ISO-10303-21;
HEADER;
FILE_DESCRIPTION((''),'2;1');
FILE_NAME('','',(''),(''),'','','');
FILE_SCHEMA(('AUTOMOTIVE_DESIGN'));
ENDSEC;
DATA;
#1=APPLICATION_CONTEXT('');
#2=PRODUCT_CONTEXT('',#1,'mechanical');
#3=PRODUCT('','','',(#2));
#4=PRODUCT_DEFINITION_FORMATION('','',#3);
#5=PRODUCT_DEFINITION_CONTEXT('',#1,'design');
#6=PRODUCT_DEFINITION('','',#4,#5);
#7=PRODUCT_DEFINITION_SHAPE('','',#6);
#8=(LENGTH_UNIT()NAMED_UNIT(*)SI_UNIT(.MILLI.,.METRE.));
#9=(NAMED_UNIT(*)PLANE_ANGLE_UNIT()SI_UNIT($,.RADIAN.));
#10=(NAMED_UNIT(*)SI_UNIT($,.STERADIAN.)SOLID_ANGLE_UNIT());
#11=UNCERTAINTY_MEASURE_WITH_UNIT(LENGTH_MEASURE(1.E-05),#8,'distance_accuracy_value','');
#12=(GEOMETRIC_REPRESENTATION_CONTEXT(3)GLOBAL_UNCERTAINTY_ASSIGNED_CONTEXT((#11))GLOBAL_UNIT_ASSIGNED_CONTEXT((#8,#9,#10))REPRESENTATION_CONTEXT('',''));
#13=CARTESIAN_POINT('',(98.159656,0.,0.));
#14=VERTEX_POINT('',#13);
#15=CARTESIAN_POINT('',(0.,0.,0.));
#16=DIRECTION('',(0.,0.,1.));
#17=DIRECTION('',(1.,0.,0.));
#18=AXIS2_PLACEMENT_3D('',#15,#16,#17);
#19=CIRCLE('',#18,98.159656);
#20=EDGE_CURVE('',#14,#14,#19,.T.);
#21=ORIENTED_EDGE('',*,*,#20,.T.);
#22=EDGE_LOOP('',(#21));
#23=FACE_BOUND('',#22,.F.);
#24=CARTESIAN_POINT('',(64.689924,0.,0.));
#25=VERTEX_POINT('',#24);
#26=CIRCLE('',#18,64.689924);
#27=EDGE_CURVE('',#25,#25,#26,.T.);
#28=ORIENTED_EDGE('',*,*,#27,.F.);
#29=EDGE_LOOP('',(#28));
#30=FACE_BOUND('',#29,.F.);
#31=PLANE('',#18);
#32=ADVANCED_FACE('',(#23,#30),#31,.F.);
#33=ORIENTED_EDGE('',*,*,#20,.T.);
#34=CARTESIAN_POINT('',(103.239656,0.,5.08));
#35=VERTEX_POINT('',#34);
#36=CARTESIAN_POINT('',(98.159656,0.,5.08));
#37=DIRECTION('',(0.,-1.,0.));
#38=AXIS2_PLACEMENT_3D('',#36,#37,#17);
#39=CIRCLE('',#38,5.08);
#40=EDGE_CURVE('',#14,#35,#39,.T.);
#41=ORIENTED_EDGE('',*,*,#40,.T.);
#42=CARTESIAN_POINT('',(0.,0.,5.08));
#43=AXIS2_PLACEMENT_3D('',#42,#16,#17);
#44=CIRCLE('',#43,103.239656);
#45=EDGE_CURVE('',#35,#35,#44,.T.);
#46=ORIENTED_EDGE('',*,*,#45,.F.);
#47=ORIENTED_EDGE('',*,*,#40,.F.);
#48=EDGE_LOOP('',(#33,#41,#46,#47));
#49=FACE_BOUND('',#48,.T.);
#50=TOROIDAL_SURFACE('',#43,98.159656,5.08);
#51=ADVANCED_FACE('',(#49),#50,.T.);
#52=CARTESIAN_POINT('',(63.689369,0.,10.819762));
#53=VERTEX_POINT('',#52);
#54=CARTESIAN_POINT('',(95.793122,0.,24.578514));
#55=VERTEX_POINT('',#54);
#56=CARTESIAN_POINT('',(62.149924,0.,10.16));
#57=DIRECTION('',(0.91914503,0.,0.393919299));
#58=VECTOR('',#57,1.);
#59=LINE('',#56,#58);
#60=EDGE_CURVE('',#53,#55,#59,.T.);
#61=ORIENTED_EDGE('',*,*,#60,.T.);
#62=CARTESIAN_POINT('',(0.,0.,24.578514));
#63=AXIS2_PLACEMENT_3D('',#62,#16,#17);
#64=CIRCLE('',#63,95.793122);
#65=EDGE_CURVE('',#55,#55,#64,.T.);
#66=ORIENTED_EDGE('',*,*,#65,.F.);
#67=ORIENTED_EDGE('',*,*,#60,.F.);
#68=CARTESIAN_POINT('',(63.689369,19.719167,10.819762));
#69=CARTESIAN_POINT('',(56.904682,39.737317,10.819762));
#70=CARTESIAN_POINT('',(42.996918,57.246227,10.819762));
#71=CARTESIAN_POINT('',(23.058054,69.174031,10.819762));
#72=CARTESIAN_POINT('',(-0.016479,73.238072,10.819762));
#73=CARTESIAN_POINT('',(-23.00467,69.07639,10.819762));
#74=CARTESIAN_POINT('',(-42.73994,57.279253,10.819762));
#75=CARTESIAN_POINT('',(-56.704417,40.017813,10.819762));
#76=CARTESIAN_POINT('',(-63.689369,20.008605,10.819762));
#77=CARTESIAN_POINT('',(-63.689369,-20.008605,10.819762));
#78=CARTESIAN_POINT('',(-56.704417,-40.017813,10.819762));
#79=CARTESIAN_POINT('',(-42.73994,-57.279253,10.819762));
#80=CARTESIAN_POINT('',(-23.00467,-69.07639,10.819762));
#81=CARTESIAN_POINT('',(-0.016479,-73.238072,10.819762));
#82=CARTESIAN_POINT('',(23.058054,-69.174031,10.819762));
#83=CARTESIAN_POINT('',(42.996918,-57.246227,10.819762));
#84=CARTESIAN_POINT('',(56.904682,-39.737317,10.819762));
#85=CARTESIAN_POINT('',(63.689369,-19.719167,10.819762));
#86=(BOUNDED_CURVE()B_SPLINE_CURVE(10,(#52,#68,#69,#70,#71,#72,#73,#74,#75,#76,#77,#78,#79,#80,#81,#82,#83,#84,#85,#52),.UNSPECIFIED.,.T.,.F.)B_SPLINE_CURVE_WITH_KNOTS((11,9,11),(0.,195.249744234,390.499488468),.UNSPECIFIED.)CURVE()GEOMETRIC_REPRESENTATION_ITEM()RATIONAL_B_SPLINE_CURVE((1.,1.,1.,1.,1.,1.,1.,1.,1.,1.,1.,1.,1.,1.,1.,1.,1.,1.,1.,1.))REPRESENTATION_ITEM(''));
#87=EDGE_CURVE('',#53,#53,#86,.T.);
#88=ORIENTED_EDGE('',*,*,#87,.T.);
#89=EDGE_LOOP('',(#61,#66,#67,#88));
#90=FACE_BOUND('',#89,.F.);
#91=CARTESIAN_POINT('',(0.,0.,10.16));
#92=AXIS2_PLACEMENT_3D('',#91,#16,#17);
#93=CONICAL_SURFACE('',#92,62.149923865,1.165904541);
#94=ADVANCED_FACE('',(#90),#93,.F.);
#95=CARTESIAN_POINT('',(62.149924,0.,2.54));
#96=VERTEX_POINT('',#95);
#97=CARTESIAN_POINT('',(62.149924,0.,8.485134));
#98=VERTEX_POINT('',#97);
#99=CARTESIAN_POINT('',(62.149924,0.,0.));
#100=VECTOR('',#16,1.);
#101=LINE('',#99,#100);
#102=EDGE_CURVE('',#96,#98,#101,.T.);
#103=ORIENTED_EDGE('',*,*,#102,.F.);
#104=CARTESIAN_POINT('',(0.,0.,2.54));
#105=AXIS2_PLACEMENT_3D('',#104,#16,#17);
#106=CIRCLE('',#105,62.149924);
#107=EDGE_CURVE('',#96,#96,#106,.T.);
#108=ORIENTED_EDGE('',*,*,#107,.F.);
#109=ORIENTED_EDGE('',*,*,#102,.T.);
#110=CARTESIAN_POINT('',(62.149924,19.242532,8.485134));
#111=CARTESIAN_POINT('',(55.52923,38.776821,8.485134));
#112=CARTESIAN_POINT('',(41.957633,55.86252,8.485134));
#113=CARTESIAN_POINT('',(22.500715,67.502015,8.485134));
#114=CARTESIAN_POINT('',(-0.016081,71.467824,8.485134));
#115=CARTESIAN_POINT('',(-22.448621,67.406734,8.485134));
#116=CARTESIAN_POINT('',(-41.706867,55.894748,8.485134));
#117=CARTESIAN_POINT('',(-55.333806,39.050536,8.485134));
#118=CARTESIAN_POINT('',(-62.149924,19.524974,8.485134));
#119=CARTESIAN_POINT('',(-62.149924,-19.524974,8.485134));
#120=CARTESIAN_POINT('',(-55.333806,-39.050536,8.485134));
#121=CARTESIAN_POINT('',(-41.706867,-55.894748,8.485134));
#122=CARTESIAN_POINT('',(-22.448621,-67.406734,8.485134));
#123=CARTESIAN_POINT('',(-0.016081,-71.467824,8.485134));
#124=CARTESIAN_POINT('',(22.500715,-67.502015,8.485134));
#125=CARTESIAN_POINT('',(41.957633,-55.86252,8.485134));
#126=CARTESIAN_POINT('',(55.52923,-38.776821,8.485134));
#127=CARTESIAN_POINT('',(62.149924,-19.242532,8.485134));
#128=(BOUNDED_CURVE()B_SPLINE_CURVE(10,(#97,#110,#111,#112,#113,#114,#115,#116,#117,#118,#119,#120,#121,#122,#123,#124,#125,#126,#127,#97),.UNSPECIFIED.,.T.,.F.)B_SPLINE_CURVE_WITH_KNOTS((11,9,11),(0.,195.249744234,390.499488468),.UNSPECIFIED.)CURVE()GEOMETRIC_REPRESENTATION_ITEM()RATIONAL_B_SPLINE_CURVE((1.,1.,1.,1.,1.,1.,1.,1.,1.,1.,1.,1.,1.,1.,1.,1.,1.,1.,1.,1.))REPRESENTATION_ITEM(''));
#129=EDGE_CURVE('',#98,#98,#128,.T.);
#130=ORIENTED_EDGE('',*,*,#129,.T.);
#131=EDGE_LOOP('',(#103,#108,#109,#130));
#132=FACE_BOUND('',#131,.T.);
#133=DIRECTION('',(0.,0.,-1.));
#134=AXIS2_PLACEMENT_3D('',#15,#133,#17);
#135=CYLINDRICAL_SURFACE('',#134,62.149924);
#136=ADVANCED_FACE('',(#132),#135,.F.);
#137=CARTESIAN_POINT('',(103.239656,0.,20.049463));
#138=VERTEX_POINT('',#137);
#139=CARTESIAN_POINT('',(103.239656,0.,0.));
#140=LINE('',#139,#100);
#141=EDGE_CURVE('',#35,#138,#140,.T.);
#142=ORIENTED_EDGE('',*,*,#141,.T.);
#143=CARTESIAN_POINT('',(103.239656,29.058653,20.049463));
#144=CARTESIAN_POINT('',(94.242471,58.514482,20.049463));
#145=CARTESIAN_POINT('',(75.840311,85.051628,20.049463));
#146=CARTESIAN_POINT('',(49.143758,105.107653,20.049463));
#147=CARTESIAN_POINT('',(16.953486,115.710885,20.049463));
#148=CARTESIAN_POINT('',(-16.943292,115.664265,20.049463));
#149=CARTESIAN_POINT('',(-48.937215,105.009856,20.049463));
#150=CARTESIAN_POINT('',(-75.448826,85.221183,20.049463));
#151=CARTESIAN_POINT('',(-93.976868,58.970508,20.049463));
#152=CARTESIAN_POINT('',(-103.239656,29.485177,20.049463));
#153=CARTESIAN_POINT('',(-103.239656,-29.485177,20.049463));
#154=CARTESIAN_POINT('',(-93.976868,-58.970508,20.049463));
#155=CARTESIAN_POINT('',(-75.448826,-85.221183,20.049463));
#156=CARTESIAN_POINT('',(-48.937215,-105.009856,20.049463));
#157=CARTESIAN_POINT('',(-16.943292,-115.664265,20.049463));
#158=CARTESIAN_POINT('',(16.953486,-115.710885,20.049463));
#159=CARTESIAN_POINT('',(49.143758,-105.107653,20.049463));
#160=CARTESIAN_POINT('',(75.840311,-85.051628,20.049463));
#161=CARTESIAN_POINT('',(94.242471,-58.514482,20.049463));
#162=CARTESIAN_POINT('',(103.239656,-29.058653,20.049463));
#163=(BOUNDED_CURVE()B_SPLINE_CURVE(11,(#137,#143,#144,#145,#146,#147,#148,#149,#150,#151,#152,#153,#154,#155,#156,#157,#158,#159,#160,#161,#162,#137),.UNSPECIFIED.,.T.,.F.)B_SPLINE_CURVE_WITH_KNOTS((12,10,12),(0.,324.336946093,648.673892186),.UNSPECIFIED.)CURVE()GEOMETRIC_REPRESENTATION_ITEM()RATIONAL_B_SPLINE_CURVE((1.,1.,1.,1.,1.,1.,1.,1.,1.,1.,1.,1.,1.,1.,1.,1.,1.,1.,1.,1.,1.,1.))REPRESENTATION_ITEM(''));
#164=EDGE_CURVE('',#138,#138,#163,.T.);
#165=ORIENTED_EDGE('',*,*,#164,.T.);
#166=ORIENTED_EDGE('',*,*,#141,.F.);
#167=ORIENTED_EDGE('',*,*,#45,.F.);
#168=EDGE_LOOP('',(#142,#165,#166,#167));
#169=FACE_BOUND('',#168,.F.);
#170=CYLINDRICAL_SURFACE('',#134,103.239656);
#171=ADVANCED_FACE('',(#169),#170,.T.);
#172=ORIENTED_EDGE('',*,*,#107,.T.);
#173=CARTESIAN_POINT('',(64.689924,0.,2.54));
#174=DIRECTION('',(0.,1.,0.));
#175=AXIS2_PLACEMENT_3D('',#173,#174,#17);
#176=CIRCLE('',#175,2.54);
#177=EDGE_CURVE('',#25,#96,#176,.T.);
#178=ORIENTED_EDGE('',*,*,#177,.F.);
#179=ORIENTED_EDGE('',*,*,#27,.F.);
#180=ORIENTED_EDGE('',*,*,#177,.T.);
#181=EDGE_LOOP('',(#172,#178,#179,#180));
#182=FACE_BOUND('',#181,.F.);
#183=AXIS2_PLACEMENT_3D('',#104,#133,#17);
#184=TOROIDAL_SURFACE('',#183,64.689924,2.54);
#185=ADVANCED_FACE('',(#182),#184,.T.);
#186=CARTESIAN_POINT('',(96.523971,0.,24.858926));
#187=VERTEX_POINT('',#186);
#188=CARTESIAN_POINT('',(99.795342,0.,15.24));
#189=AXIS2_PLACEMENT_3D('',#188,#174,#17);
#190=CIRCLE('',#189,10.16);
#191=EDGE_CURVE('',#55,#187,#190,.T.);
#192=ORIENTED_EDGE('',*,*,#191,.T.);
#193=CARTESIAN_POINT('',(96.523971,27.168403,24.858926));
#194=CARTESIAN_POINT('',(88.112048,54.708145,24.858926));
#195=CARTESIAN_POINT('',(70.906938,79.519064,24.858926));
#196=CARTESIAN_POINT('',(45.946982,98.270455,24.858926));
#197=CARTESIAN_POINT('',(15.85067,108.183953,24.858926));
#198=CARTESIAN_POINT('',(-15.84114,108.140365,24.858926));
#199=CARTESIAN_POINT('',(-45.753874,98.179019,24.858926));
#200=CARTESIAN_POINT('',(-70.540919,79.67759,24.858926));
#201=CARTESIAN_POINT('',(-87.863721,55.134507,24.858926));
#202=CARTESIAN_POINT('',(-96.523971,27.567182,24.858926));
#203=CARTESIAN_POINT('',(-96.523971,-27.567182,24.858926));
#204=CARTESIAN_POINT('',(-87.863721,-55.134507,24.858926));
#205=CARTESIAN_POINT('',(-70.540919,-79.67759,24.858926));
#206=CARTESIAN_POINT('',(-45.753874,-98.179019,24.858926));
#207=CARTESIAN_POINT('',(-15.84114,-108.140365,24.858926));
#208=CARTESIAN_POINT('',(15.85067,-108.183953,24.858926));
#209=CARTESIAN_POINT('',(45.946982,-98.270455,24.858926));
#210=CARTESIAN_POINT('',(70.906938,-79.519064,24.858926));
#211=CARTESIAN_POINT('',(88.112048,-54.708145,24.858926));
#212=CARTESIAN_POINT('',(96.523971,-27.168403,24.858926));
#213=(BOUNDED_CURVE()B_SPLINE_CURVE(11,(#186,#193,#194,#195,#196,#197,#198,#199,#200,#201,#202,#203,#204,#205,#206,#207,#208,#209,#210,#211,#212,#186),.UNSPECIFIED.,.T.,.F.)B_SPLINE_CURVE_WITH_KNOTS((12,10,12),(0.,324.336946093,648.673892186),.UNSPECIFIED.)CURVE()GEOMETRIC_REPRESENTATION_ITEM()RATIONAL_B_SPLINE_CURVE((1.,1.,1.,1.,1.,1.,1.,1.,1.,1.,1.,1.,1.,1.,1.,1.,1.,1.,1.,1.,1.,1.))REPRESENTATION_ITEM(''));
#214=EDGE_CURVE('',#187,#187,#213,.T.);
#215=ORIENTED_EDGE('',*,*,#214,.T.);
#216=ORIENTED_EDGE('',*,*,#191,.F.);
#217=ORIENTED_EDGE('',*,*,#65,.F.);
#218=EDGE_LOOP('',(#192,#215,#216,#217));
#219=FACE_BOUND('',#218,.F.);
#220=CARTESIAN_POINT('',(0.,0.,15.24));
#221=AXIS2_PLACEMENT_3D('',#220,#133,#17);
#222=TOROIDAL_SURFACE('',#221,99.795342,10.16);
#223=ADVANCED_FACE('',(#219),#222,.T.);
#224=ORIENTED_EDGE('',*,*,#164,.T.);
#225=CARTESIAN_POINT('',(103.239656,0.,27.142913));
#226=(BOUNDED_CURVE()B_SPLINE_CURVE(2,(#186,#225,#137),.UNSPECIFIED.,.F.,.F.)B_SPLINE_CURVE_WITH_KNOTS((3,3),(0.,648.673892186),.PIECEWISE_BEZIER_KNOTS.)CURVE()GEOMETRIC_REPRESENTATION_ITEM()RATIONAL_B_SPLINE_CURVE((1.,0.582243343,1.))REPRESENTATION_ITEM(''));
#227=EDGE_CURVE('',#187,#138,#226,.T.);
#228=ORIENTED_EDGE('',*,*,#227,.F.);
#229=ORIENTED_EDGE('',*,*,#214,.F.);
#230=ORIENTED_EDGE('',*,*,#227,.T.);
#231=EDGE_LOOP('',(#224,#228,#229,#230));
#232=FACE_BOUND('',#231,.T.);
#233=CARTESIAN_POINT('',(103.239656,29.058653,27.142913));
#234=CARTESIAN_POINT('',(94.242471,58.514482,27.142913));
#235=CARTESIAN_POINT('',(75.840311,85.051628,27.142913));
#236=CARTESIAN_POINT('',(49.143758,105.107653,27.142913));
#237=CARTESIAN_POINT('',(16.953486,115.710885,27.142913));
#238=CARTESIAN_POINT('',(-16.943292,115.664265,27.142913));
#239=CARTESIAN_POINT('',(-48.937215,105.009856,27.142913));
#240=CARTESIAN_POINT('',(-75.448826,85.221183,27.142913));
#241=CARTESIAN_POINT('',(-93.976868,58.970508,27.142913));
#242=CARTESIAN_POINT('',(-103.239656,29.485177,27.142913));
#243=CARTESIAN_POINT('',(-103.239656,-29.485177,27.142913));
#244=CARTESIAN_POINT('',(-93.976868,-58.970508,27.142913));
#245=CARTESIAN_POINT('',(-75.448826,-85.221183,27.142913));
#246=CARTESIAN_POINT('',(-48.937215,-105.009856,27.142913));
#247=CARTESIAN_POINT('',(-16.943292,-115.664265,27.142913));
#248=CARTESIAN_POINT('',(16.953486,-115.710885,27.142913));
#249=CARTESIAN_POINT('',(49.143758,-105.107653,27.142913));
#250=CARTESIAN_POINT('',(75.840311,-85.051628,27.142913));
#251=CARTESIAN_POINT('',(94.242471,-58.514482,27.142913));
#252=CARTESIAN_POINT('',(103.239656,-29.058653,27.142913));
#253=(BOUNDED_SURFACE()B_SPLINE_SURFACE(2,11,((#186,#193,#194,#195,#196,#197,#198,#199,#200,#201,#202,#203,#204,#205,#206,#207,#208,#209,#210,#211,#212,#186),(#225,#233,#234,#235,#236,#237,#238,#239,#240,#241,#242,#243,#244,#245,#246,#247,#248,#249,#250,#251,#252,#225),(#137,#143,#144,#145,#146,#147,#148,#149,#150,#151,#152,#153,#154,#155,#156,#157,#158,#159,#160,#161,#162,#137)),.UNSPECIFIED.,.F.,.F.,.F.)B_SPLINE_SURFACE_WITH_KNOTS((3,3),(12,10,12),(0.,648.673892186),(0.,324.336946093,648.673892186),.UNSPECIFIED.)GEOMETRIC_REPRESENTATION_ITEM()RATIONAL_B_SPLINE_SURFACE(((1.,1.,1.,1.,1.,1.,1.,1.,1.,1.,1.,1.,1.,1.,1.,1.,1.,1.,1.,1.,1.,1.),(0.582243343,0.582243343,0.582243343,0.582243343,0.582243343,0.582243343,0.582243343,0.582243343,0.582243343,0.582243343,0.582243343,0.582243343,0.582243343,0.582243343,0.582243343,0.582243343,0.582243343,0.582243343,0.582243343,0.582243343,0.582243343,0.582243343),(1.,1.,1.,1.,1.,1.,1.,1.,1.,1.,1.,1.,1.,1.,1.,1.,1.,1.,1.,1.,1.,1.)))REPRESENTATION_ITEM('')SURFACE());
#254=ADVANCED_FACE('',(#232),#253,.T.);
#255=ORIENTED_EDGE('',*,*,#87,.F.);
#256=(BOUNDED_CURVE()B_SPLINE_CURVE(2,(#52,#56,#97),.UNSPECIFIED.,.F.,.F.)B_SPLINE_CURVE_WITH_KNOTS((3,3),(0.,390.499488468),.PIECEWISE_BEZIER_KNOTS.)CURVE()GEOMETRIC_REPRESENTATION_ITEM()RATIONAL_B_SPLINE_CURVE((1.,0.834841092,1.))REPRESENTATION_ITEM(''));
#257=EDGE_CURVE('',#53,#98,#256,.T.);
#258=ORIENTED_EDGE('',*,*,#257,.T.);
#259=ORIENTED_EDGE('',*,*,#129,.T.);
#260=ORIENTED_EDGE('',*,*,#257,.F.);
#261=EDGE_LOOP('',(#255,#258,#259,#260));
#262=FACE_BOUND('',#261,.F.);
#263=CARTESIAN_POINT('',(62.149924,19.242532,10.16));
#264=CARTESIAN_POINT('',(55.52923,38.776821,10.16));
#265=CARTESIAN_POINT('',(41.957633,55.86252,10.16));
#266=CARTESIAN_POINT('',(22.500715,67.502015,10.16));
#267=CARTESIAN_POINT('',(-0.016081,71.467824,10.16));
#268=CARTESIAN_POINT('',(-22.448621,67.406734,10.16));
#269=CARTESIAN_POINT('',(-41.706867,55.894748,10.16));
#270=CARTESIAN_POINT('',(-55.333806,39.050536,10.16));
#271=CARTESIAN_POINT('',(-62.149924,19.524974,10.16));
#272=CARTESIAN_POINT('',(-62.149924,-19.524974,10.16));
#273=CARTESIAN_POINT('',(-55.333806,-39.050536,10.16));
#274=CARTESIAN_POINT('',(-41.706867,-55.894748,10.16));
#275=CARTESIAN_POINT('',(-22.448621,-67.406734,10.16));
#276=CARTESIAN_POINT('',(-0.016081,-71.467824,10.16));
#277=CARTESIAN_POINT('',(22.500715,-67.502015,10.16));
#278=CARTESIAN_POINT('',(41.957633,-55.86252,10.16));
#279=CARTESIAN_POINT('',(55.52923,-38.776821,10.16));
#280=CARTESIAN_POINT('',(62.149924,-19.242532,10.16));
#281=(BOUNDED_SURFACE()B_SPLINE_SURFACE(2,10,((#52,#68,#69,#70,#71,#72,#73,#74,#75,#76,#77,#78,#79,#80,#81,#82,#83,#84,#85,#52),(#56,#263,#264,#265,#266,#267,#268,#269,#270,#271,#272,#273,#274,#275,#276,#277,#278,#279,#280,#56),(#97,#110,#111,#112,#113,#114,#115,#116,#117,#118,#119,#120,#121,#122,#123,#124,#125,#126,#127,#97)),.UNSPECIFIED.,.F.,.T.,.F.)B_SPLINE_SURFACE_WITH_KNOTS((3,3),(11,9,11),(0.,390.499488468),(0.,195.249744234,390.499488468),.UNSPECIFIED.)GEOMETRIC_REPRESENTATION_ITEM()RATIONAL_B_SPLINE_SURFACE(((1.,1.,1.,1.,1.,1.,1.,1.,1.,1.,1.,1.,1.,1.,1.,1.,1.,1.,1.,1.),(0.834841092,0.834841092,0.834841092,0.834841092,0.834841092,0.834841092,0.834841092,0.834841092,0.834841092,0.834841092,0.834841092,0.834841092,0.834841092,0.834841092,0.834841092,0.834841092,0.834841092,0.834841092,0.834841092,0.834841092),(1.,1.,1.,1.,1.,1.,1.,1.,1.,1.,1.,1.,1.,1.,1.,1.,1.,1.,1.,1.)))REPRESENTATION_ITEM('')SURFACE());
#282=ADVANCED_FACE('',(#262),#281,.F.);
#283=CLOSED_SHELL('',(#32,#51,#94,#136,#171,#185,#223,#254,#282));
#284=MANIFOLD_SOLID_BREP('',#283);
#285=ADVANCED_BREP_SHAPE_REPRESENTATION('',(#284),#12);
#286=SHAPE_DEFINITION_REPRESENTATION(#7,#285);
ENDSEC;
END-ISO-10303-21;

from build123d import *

# Parameters (mm, degrees)
F0_R     = 103.2396563961
F0_R_2   = 62.1499238645
F1_DEPTH = 25.4
F2_SIZE2 = 35.56
F2_SIZE  = 15.24
F3_R     = 10.16
F4_R     = 5.08
F5_R     = 2.54
F6_R     = 5.08
F7_R     = 2.54


with BuildPart() as f1:
    # F0 (on Top) → F1 (new body)
    with BuildSketch(Plane.XY):
        Circle(F0_R)
        Circle(F0_R_2, mode=Mode.SUBTRACT)
    extrude(amount=F1_DEPTH)

    # F2
    f2_edges = [f1.edges().sort_by_distance(p)[0] for p in [
        (-62.149924, 0, 25.4),
    ]]
    f2_side = f1.faces().sort_by_distance((-62.149924, 0, 12.7))[0]
    chamfer(f2_edges, length=F2_SIZE, length2=F2_SIZE2, reference=f2_side)

    # F3
    f3_edges = [f1.edges().sort_by_distance(p)[0] for p in [
        (-97.709924, 0, 25.4),
    ]]
    fillet(f3_edges, radius=F3_R)

    # F4
    f4_edges = [f1.edges().sort_by_distance(p)[0] for p in [
        (-103.239656, 0, 25.4),
    ]]
    fillet(f4_edges, radius=F4_R)

    # F5
    f5_edges = [f1.edges().sort_by_distance(p)[0] for p in [
        (-62.149924, 0, 10.16),
    ]]
    fillet(f5_edges, radius=F5_R)

    # F6
    f6_edges = [f1.edges().sort_by_distance(p)[0] for p in [
        (-103.239656, 0, 0),
    ]]
    fillet(f6_edges, radius=F6_R)

    # F7
    f7_edges = [f1.edges().sort_by_distance(p)[0] for p in [
        (-62.149924, 0, 0),
    ]]
    fillet(f7_edges, radius=F7_R)


solid = f1.part
